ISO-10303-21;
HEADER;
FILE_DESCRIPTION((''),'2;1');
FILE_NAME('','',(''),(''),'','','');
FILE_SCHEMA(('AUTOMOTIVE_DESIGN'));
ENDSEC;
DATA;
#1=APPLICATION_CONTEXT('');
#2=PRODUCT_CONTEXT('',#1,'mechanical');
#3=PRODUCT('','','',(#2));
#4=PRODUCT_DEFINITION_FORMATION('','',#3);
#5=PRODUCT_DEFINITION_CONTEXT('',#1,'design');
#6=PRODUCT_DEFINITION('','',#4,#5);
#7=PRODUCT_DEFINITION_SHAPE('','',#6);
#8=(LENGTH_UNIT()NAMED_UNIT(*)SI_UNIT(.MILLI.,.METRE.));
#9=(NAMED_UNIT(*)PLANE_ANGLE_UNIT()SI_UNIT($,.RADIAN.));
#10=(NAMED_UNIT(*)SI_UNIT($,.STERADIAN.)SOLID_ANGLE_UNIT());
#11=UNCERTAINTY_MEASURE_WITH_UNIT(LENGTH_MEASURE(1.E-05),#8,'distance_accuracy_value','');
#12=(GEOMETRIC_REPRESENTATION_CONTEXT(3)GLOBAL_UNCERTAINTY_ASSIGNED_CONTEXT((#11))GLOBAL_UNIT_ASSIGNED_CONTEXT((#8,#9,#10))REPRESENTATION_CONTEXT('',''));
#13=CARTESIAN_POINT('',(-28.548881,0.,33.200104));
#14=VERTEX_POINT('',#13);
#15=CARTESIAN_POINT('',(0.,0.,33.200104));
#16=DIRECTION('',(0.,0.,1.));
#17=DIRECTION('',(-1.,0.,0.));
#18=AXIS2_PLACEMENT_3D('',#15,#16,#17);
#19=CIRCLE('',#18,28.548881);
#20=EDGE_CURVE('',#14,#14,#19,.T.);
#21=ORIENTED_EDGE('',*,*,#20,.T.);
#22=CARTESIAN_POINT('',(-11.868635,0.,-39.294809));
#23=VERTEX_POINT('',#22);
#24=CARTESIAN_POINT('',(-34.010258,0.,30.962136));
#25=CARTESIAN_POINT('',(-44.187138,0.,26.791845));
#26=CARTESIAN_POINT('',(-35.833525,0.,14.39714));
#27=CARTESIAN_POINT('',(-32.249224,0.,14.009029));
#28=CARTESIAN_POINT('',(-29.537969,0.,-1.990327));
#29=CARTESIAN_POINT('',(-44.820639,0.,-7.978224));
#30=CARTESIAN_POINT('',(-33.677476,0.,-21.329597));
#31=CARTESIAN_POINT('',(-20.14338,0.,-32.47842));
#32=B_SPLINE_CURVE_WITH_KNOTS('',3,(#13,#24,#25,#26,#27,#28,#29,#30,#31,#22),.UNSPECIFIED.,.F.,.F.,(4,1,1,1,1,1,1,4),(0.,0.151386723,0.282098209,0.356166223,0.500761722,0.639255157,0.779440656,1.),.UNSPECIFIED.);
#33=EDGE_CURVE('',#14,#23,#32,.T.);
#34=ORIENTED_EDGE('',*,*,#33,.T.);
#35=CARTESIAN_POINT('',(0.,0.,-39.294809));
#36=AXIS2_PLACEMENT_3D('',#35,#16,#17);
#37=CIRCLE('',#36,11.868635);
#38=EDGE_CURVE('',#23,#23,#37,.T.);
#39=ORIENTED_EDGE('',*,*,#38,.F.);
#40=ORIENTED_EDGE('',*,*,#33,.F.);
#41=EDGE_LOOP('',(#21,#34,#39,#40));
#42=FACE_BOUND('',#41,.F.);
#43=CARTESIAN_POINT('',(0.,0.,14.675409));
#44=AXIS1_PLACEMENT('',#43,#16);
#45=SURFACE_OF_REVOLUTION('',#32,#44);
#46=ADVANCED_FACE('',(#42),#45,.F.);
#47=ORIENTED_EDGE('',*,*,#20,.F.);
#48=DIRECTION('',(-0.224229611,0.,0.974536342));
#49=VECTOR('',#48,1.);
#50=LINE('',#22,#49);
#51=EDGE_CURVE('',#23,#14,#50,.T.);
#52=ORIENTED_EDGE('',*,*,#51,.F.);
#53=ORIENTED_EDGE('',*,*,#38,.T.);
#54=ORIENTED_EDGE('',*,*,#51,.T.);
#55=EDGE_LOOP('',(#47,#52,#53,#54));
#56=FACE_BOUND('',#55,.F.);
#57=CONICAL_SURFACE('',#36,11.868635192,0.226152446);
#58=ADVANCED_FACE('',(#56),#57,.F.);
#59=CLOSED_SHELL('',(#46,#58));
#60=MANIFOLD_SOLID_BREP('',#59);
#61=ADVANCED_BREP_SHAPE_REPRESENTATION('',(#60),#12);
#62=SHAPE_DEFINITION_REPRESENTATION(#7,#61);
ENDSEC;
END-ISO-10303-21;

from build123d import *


with BuildPart() as f1:
    # F0 (on Front) → F1 (revolve)
    with BuildSketch(Plane.XZ):
        with BuildLine():
            Line((-11.8686351925, -39.294809103), (-28.5488814116, 33.2001037896))
            add(Edge.make_bspline(
                [(-28.5488814116, 33.2001037896), (-34.0102579646, 30.9621361129), (-44.1871381631, 26.7918452142), (-35.8335251764, 14.3971395052), (-32.249224144, 14.0090290197), (-29.5379689798, -1.9903272379), (-44.8206393551, -7.9782241045), (-33.6774762199, -21.3295967875), (-20.1433797759, -32.478420139), (-11.8686351925, -39.294809103)],
                knots=[0, 0, 0, 0, 0.1513867228, 0.2820982085, 0.3561662235, 0.5007617218, 0.6392551566, 0.7794406556, 1, 1, 1, 1], degree=3))
        make_face()
    revolve(axis=Axis((0, 0, 14.6754086018), (0, 0, 1)))


solid = f1.part
